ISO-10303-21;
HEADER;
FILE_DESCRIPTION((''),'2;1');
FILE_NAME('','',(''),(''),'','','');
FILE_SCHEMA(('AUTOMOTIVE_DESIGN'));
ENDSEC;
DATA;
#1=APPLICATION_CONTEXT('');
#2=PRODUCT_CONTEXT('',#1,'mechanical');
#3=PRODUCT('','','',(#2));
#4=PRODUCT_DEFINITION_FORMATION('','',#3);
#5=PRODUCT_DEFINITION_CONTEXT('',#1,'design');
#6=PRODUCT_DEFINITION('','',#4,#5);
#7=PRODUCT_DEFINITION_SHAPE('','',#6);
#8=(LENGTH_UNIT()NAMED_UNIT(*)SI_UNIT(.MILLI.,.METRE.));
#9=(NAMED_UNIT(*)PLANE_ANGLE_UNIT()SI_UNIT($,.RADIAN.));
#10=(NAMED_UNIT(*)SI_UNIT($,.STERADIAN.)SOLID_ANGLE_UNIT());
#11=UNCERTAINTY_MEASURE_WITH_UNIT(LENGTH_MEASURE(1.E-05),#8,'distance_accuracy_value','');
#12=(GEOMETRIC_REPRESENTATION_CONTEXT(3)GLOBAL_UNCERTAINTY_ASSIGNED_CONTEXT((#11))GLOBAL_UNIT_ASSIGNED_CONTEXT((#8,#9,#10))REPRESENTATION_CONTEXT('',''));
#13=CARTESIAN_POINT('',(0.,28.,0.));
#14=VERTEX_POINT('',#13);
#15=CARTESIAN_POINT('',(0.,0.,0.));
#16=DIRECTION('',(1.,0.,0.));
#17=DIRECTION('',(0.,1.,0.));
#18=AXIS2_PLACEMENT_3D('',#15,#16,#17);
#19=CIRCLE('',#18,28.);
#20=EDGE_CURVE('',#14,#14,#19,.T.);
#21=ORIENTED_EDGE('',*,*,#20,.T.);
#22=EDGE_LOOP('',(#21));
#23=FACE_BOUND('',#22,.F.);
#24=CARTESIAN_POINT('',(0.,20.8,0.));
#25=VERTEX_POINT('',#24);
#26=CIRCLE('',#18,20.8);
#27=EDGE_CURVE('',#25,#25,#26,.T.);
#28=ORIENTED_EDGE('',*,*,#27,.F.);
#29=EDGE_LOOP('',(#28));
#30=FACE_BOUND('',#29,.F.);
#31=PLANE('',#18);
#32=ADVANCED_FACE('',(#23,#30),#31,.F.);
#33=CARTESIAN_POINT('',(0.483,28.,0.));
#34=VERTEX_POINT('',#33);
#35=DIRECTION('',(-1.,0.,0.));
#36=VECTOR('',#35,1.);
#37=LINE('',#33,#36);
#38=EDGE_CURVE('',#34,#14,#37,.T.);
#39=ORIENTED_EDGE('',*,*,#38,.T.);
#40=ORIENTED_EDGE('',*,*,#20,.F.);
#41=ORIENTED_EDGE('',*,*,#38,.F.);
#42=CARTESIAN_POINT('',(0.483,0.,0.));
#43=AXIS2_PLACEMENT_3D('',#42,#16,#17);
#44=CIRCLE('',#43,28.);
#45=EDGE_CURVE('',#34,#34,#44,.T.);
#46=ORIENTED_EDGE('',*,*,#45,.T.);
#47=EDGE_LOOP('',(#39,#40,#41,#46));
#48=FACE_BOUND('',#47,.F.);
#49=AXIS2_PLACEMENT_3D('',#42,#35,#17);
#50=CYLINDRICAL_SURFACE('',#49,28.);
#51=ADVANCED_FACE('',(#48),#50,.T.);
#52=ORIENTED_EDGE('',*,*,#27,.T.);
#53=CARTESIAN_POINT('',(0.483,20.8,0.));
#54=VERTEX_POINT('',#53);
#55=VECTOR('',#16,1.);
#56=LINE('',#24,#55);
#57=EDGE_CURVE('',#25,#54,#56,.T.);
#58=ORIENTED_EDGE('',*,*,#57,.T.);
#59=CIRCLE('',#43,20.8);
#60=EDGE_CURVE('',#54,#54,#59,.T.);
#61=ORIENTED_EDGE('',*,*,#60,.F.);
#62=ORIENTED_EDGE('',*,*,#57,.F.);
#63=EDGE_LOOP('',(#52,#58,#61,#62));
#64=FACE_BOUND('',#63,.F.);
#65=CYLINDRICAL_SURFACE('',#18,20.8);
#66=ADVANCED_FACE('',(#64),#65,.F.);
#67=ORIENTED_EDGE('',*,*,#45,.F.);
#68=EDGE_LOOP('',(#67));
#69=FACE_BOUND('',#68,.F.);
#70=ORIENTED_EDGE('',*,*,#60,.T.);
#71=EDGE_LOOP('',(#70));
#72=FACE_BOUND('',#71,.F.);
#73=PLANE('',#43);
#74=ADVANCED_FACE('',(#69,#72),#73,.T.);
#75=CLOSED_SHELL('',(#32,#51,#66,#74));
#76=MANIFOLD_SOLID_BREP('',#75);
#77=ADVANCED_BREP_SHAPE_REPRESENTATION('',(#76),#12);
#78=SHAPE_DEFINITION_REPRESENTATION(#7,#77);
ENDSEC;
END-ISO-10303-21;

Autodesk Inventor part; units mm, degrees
sketch "Sketch_1" plane through (0, 0, 0) normal (0, 0, 1) x (1, 0, 0)
  line L0 (0.483, 0) -> (0, 0)
  line L1 (0, 20.8) -> (0.483, 20.8)
  line L2 (0.483, 20.8) -> (0.483, 28)
  line L3 (0.483, 28) -> (0, 28)
  line L4 (0, 28) -> (0, 20.8)
revolve "Revolution1" add sketch "Sketch_1" angle 360 about axis through (0.483, 0, 0) along (1, 0, 0)
ref_plane "ip_cst_4_s1_XY" through (0, 0, 0) normal (1, 0, 0) x (0, 0, -1)
ref_plane "ip_cst_4_s1_YZ" through (0, 0, 0) normal (0, 0, -1) x (0, 1, 0)
ref_plane "ip_cst_4_s1_ZX" through (0, 0, 0) normal (0, 1, 0) x (1, 0, 0)
properties part number "6007DDU Shield1"
